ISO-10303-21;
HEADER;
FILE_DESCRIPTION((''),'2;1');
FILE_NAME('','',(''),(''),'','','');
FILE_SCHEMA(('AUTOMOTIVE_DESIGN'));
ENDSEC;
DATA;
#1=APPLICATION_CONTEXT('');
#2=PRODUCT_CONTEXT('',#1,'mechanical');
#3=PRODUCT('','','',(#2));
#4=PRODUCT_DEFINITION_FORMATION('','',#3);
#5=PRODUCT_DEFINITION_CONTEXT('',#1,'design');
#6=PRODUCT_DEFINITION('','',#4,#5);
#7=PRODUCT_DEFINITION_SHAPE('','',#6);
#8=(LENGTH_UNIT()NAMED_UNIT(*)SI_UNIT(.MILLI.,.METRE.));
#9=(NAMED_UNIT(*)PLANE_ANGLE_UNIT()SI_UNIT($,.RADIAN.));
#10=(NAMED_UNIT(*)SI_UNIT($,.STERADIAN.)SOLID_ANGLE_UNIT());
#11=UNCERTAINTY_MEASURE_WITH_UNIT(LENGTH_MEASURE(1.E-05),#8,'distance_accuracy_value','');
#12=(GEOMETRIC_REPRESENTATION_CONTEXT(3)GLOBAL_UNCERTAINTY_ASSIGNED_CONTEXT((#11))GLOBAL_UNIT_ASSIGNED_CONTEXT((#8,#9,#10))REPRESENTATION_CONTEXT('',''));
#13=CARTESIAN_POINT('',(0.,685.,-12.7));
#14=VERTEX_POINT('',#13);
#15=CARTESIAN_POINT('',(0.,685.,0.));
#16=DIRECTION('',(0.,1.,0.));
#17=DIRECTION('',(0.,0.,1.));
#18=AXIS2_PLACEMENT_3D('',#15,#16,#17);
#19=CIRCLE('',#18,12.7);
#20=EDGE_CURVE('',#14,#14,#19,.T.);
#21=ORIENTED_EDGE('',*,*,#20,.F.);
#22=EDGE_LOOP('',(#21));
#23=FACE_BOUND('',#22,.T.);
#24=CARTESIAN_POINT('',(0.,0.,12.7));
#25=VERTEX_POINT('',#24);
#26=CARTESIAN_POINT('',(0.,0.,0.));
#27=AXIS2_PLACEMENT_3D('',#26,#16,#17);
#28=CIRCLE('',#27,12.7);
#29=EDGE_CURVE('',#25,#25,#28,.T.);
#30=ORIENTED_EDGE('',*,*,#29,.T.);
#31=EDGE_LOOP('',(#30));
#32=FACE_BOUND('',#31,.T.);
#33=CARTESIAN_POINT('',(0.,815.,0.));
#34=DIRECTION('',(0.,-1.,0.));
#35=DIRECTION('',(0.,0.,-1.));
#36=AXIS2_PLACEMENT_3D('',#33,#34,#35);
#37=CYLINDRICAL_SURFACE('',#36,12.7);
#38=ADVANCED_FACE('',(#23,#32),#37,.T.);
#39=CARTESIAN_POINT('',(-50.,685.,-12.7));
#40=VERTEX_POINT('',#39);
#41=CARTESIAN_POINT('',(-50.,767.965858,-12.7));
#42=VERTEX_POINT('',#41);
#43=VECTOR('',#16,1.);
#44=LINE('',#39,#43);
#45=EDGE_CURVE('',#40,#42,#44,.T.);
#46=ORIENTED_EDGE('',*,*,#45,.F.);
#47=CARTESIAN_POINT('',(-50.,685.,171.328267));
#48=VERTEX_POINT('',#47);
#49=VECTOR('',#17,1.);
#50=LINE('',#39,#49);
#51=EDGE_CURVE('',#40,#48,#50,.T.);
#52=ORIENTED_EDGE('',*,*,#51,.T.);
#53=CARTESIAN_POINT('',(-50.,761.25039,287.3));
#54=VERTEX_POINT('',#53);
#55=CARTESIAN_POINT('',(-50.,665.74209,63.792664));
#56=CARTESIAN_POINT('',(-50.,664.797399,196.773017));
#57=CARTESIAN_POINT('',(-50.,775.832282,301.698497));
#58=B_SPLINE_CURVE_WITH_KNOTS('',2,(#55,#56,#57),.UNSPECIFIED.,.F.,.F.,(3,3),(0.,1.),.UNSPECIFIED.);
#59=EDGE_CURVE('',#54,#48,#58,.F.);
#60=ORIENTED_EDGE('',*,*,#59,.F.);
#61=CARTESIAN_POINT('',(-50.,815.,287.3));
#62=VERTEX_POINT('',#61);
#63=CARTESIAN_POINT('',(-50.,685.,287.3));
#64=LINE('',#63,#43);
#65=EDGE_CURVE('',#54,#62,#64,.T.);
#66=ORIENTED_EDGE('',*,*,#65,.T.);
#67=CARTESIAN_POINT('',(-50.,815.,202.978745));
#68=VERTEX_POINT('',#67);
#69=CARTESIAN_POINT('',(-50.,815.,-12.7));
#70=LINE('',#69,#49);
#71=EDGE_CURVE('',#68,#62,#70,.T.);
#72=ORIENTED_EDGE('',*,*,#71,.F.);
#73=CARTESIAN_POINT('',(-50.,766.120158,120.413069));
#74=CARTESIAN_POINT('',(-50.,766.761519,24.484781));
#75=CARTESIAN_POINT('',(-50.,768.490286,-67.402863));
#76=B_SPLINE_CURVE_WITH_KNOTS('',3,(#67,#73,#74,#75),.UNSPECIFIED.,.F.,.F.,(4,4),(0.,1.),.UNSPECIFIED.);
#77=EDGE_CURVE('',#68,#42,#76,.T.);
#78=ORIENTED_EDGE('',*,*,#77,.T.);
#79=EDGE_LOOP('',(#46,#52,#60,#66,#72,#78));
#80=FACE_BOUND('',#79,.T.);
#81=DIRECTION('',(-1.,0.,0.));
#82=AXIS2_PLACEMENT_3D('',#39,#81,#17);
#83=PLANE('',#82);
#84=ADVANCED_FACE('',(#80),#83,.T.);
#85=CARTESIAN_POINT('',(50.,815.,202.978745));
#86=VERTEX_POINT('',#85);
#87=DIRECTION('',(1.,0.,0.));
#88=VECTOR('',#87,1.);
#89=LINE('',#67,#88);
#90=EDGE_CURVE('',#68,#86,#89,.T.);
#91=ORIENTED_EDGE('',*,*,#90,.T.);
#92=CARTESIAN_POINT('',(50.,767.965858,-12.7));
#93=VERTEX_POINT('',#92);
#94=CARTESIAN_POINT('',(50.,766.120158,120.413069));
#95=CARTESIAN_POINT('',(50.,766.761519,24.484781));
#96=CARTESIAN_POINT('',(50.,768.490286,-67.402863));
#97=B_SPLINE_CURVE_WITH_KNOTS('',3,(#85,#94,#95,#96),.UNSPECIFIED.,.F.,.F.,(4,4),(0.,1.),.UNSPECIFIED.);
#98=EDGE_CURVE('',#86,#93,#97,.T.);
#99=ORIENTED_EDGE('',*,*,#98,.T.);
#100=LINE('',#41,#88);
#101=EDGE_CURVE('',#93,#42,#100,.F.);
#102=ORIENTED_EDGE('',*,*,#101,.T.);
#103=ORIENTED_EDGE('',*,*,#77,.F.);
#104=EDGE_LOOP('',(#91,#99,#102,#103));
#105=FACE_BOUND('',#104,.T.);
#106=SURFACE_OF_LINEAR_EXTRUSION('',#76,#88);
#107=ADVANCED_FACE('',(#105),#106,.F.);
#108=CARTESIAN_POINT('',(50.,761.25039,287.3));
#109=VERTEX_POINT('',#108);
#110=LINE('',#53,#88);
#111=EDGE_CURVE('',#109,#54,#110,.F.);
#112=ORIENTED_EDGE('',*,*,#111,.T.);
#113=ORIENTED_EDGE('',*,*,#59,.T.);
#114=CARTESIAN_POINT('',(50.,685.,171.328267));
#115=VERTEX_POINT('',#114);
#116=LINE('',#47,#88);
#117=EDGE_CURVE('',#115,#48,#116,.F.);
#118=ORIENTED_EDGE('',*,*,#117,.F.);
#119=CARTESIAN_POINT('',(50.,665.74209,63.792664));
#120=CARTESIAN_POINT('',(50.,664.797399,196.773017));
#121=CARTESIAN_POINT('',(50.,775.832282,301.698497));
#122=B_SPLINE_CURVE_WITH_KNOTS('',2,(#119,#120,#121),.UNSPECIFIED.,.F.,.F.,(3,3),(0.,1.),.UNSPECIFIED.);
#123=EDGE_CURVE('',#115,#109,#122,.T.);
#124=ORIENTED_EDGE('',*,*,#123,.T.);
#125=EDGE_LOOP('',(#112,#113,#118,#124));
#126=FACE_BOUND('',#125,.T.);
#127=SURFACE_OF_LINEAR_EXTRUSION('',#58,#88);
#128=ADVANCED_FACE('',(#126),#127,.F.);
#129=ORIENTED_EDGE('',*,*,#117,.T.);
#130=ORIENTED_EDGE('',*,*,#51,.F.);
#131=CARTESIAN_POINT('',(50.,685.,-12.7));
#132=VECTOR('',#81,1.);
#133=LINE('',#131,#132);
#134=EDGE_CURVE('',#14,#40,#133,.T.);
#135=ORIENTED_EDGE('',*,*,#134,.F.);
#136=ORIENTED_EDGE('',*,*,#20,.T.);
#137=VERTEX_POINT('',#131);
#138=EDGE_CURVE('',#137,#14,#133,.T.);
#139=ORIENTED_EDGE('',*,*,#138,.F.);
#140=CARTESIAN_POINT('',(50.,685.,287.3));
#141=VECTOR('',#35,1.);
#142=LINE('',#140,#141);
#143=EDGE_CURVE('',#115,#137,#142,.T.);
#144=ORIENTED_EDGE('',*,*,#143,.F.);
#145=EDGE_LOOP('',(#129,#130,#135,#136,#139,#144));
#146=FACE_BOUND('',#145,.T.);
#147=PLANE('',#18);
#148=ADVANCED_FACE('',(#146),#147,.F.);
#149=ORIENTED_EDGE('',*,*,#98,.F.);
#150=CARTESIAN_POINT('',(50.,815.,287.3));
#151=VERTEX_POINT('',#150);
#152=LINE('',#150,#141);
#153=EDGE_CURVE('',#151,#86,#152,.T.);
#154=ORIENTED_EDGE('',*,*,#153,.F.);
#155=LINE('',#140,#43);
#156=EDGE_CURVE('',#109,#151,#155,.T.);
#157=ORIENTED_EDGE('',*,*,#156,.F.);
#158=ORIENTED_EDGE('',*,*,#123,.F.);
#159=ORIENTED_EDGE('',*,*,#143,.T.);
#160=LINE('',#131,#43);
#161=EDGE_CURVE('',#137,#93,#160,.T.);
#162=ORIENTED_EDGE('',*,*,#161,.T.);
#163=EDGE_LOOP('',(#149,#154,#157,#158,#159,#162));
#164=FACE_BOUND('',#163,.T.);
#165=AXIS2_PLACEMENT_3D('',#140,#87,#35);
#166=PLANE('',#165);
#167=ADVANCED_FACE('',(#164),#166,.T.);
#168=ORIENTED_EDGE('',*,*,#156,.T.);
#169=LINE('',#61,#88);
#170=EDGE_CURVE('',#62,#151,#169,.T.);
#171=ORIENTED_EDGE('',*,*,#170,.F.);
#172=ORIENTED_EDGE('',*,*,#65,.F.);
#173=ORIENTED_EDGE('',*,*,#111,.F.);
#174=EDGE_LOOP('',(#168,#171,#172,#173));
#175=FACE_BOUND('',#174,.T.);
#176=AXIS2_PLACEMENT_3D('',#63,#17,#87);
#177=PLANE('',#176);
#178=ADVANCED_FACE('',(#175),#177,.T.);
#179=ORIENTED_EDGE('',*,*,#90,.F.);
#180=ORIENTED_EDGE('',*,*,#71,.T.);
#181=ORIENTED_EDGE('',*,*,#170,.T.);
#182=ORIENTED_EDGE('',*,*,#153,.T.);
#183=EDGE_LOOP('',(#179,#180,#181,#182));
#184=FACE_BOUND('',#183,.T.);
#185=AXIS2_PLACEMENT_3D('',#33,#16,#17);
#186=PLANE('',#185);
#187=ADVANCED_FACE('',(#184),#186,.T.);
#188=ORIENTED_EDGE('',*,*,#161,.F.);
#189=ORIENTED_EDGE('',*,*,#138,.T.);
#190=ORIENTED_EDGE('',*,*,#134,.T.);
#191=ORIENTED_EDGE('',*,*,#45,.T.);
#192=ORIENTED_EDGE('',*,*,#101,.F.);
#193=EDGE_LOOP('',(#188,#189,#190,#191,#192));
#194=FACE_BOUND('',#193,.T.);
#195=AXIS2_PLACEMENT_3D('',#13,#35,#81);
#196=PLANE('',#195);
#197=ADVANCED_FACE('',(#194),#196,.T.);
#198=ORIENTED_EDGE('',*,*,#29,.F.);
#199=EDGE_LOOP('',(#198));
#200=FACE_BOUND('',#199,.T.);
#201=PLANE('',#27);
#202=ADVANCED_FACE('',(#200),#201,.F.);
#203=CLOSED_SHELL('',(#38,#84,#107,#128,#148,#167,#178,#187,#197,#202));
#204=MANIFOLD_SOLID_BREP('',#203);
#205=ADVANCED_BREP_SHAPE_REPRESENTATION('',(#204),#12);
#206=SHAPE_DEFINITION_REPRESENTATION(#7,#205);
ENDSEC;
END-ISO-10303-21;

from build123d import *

# Parameters (mm, degrees)
SKETCH1_R           = 12.7
BOSS_EXTRUDE1_DEPTH = 815
BOSS_EXTRUDE2_DEPTH = 130
CUT_EXTRUDE1_DEPTH  = 101


with BuildPart() as part:
    # Sketch1 → Boss-Extrude1 (new body)
    with BuildSketch(Plane(origin=(0, 0, 0), x_dir=(1, 0, 0), z_dir=(0, 1, 0))):
        Circle(SKETCH1_R)
    extrude(amount=BOSS_EXTRUDE1_DEPTH)

    # Sketch3 → Boss-Extrude2 (add)
    with BuildSketch(Plane(origin=(0, 815, 0), x_dir=(1, 0, 0), z_dir=(0, 1, 0))):
        Polygon((0, 12.7), (-50, 12.7), (-50, -287.3), (50, -287.3), (50, 12.7), align=None)
    extrude(amount=-BOSS_EXTRUDE2_DEPTH)

    # Sketch5 → Cut-Extrude1 (cut, through all)
    with BuildSketch(Plane(origin=(50, 0, 0), x_dir=(0, 0, -1), z_dir=(1, 0, 0))):
        with BuildLine():
            Line((-202.978744698, 815), (-272.862835617, 879.498966907))
            Line((-272.862835617, 879.498966907), (20.796594256, 879.498966907))
            Line((20.796594256, 879.498966907), (67.402863197, 768.490286219))
            add(Edge.make_bspline(
                [(-202.978744698, 815), (-120.413068906, 766.120158396), (-24.484780787, 766.761518937), (67.402863197, 768.490286219)],
                knots=[0, 0, 0, 0, 1, 1, 1, 1], degree=3))
        make_face()
        with BuildLine():
            Line((-301.698496964, 775.832281678), (-354.195317799, 601.764613469))
            Line((-354.195317799, 601.764613469), (-151.062921175, 574.818479223))
            Line((-151.062921175, 574.818479223), (-63.792664277, 665.742090059))
            add(Edge.make_bspline(
                [(-301.698496964, 775.832281678), (-196.773017202, 664.797399326), (-63.792664277, 665.742090059)],
                knots=[0, 0, 0, 1, 1, 1], degree=2))
        make_face()
    extrude(amount=-CUT_EXTRUDE1_DEPTH, mode=Mode.SUBTRACT)


solid = part.part
